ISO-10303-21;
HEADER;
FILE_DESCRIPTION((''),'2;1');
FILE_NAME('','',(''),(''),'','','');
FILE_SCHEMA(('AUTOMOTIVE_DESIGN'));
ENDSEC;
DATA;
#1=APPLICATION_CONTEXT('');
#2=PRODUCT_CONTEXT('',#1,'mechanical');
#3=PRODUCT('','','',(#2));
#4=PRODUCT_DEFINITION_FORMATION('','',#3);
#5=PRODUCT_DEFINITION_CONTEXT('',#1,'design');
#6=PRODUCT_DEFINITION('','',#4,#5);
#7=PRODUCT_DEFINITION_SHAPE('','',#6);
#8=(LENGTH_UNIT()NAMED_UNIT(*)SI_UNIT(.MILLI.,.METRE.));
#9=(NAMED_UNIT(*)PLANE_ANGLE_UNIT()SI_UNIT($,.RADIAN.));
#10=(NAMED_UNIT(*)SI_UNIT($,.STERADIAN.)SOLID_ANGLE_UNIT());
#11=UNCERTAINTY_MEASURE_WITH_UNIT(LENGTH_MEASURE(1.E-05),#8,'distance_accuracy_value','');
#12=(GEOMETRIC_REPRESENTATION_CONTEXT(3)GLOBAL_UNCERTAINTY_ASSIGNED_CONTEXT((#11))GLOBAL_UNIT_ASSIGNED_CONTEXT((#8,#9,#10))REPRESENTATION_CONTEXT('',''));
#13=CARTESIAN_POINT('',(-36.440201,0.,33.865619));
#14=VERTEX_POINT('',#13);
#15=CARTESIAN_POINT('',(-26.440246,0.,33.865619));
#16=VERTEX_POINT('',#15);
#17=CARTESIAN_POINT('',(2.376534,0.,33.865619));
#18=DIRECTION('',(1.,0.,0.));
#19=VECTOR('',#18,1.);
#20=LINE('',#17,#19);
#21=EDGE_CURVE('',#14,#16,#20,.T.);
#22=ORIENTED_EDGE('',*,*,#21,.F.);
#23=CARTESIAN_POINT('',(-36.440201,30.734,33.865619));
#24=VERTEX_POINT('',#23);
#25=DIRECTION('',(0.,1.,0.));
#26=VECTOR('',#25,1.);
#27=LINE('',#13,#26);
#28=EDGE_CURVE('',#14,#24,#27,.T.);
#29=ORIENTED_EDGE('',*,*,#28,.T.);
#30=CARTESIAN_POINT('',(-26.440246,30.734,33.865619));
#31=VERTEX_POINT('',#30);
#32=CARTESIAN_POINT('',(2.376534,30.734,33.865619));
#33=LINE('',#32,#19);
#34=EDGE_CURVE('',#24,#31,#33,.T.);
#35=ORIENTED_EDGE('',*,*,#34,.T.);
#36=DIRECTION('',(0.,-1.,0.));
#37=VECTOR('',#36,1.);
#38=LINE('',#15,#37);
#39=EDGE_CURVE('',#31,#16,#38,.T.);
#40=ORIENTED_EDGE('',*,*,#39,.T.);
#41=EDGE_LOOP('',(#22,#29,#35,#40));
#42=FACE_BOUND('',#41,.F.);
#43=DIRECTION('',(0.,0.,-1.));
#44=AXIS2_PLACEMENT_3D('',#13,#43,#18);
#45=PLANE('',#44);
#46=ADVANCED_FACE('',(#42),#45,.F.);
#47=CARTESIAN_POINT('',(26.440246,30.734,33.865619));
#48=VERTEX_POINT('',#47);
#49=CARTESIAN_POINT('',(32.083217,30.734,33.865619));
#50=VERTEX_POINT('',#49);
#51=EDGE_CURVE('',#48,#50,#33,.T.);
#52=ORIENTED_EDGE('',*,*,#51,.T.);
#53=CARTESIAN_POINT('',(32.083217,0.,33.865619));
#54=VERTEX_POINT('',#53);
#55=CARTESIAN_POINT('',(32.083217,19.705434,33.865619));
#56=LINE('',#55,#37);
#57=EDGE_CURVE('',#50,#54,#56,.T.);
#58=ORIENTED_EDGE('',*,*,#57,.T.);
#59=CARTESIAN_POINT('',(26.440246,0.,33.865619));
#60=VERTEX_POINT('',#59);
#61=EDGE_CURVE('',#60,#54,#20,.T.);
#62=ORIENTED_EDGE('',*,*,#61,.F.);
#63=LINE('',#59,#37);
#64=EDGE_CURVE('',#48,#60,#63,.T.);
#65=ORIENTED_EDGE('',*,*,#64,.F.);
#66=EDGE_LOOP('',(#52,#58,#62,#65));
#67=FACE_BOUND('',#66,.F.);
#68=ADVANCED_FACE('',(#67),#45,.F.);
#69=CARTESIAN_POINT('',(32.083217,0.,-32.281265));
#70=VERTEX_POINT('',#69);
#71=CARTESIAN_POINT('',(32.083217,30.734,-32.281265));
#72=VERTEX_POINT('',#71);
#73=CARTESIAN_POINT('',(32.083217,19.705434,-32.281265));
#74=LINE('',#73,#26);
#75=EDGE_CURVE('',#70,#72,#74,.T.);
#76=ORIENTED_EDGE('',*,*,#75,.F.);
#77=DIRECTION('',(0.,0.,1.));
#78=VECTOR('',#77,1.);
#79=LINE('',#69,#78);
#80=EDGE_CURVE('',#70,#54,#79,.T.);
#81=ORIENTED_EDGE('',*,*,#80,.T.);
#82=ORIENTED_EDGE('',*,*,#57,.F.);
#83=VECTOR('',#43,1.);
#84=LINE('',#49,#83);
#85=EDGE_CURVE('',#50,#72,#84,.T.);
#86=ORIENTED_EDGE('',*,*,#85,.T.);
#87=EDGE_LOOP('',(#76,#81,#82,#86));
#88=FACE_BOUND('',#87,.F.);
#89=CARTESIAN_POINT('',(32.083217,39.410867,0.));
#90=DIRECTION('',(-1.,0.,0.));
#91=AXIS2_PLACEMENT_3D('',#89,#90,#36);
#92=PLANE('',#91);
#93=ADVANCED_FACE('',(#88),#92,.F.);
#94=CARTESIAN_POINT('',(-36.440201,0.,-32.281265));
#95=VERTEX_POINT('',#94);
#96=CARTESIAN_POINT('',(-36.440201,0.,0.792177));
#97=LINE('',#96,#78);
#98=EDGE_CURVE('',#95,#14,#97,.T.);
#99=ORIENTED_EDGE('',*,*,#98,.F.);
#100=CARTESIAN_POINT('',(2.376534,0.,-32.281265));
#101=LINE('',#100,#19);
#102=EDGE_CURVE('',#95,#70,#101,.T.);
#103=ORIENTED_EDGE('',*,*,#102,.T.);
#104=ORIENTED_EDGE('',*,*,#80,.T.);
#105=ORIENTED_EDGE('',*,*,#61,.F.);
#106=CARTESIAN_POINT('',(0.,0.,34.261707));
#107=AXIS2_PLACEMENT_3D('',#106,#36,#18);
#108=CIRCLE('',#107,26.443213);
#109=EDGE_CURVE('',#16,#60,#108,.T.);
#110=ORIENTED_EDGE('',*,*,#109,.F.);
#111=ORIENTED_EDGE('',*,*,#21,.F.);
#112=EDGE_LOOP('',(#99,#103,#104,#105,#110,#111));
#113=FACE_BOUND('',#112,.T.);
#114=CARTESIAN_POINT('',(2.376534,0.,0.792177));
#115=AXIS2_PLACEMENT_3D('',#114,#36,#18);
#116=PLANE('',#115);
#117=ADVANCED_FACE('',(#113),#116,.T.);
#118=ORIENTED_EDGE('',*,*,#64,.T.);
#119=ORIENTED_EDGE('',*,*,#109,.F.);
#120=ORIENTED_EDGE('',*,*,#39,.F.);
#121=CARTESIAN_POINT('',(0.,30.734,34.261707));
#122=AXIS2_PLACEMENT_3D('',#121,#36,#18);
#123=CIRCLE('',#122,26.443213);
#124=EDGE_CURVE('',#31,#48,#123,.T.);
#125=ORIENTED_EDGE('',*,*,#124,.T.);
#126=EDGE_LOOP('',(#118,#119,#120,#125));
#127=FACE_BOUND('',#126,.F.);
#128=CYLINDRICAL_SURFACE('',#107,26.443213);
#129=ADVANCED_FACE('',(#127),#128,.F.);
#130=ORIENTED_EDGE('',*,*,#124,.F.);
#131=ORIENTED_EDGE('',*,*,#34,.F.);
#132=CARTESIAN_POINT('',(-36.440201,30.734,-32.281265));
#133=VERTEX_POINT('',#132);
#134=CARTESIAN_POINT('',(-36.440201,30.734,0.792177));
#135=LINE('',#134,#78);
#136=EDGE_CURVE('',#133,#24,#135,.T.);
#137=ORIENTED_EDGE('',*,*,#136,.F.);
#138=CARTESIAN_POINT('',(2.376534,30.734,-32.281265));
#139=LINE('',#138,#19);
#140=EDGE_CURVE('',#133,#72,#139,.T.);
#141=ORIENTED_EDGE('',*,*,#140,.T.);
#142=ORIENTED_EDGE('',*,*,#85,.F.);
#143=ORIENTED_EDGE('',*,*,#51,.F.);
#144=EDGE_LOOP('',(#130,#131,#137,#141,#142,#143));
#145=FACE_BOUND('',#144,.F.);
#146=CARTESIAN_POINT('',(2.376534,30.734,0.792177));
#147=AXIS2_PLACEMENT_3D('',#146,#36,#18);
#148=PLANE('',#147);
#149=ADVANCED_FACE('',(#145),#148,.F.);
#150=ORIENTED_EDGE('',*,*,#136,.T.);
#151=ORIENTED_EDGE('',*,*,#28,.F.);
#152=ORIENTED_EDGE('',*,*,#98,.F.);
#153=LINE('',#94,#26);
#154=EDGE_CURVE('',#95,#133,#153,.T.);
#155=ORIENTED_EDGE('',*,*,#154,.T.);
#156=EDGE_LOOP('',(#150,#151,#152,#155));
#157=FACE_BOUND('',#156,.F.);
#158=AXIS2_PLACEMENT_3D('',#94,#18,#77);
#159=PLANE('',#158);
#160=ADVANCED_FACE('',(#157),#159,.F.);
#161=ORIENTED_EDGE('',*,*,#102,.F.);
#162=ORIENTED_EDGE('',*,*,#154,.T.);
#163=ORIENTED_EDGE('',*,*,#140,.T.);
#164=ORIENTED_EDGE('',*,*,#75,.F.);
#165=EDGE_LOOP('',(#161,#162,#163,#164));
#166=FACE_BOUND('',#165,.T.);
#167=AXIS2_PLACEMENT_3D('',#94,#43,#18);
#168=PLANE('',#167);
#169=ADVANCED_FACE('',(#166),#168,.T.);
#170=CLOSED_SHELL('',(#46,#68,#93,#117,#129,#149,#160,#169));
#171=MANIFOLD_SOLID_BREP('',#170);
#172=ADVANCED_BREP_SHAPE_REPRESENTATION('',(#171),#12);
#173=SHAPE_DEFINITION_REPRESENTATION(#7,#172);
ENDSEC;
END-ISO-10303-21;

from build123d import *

# Parameters (mm, degrees)
F0_W     = 77.63347
F0_H     = 66.146884
F1_DEPTH = 30.734
F2_R     = 26.443213
F3_DEPTH = 31.496
F5_DEPTH = 78.486
F6_DEPTH = 70.358


with BuildPart() as f1:
    # F0 (on Front) → F1 (new body)
    with BuildSketch(Plane.XZ):
        with Locations((2.376534, 0.792177)):
            Rectangle(F0_W, F0_H)
    extrude(amount=-F1_DEPTH)

    # F2 (on Front) → F3 (cut)
    with BuildSketch(Plane.XZ):
        with Locations((0, 34.261707)):
            Circle(F2_R)
    extrude(amount=-F3_DEPTH, mode=Mode.SUBTRACT)

    # F4 (on Top) → F5 (cut)
    with BuildSketch(Plane.XY):
        Polygon((32.083217, 39.410867), (32.083217, 31.092994), (32.083217, 0), (41.589357, 0), (41.589357, 39.410867), align=None)
    extrude(amount=F5_DEPTH, mode=Mode.SUBTRACT)

    # F4 (on Top) → F6 (cut)
    with BuildSketch(Plane.XY):
        Polygon((32.083217, 39.410867), (32.083217, 31.092994), (32.083217, 0), (41.589357, 0), (41.589357, 39.410867), align=None)
    extrude(amount=-F6_DEPTH, mode=Mode.SUBTRACT)


solid = f1.part
